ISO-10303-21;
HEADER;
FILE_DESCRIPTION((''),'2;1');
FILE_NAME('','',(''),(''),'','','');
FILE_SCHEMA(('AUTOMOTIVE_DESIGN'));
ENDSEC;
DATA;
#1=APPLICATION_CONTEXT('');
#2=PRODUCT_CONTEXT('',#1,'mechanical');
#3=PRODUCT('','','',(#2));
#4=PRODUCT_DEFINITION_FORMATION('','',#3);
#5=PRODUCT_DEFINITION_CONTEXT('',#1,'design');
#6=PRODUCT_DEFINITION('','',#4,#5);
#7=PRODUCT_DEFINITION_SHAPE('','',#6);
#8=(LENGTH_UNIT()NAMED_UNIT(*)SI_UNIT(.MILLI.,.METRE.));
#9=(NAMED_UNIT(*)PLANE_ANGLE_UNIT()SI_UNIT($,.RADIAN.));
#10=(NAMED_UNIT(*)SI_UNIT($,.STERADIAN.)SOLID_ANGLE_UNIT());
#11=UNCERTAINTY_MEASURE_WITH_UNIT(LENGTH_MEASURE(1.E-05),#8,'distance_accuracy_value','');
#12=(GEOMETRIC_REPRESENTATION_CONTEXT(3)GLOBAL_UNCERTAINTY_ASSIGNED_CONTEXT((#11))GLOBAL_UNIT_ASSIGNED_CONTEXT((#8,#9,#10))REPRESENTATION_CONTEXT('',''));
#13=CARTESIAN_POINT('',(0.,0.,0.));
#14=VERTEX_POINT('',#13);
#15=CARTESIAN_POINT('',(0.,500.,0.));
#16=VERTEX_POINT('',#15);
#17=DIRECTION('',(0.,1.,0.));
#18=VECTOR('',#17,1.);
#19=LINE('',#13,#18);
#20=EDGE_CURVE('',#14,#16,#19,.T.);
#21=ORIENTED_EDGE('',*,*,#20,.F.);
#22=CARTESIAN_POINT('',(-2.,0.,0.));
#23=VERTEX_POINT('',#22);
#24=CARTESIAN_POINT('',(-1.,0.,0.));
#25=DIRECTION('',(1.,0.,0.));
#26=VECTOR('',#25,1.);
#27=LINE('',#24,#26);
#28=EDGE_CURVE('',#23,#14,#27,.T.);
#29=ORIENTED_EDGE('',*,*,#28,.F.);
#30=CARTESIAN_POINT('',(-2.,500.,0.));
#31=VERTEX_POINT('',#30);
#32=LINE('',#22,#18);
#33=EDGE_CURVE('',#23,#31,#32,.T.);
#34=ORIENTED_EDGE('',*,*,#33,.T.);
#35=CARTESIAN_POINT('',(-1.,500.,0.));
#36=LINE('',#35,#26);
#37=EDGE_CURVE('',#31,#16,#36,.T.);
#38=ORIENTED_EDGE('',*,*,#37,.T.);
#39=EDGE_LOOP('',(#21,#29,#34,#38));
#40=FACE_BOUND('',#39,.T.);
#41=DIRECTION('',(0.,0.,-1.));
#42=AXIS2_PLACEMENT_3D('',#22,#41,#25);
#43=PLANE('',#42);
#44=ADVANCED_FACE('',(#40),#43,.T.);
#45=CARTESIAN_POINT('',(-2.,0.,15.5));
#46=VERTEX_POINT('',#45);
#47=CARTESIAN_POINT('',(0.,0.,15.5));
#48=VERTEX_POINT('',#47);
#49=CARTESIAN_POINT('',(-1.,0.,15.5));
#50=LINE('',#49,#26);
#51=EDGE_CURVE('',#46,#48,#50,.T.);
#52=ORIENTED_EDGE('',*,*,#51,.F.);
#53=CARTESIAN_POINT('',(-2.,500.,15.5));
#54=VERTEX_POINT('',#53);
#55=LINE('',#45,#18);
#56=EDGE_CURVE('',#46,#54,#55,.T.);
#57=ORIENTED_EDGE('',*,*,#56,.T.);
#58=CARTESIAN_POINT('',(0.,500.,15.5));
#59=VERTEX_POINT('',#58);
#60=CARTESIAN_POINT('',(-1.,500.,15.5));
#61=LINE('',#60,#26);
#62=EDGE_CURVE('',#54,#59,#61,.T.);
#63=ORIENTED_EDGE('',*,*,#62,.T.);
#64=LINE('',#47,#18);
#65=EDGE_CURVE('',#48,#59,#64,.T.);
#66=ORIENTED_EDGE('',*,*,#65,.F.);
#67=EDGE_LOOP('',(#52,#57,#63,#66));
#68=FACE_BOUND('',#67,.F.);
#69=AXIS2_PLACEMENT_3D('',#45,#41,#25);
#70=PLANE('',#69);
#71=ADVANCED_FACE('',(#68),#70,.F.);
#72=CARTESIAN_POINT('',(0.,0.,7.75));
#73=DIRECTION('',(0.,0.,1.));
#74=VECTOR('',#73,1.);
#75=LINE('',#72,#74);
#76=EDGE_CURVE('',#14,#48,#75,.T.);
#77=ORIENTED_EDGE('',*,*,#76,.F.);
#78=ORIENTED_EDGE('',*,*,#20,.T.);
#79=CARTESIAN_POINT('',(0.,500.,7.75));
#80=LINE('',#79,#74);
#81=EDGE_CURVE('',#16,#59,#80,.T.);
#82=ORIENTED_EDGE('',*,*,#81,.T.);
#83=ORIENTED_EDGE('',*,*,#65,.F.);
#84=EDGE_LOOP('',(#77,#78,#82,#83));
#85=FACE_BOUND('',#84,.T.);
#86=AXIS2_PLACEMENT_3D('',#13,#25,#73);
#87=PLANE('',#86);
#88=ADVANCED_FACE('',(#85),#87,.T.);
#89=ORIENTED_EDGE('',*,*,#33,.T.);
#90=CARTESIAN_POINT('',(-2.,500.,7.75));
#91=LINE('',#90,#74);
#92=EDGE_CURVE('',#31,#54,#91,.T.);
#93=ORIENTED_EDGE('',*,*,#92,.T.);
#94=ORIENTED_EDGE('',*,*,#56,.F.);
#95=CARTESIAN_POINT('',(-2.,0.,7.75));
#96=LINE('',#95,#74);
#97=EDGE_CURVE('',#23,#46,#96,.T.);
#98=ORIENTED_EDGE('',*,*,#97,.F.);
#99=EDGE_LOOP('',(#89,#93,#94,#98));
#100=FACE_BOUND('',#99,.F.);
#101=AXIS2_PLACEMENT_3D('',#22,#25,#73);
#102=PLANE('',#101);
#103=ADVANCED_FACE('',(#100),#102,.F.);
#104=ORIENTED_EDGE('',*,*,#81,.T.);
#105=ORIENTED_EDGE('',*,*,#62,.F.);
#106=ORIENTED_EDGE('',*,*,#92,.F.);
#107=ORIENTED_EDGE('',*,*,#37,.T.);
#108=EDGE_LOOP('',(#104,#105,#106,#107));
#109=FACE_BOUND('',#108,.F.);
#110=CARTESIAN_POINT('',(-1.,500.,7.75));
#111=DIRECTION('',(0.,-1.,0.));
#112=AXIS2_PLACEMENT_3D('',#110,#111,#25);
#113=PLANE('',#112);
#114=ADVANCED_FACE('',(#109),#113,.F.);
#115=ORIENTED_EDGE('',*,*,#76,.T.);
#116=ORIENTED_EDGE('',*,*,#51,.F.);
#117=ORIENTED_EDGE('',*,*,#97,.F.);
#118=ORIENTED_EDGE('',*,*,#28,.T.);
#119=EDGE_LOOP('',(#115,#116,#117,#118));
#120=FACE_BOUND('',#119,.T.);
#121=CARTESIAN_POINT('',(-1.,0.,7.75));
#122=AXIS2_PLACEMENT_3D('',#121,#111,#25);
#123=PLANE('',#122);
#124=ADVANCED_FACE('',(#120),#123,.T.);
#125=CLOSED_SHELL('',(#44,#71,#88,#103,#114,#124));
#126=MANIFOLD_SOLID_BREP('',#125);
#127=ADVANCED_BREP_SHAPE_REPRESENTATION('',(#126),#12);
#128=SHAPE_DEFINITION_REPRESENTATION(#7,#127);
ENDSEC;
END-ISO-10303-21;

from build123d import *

# Parameters (mm, degrees)
SKETCH002_W = 2
SKETCH002_H = 15.5
PAD_DEPTH   = 500


with BuildPart() as part:
    # Sketch002 → Pad (new body)
    with BuildSketch(Plane.XZ):
        with Locations((-1, 7.75)):
            Rectangle(SKETCH002_W, SKETCH002_H)
    extrude(amount=-PAD_DEPTH)


solid = part.part
